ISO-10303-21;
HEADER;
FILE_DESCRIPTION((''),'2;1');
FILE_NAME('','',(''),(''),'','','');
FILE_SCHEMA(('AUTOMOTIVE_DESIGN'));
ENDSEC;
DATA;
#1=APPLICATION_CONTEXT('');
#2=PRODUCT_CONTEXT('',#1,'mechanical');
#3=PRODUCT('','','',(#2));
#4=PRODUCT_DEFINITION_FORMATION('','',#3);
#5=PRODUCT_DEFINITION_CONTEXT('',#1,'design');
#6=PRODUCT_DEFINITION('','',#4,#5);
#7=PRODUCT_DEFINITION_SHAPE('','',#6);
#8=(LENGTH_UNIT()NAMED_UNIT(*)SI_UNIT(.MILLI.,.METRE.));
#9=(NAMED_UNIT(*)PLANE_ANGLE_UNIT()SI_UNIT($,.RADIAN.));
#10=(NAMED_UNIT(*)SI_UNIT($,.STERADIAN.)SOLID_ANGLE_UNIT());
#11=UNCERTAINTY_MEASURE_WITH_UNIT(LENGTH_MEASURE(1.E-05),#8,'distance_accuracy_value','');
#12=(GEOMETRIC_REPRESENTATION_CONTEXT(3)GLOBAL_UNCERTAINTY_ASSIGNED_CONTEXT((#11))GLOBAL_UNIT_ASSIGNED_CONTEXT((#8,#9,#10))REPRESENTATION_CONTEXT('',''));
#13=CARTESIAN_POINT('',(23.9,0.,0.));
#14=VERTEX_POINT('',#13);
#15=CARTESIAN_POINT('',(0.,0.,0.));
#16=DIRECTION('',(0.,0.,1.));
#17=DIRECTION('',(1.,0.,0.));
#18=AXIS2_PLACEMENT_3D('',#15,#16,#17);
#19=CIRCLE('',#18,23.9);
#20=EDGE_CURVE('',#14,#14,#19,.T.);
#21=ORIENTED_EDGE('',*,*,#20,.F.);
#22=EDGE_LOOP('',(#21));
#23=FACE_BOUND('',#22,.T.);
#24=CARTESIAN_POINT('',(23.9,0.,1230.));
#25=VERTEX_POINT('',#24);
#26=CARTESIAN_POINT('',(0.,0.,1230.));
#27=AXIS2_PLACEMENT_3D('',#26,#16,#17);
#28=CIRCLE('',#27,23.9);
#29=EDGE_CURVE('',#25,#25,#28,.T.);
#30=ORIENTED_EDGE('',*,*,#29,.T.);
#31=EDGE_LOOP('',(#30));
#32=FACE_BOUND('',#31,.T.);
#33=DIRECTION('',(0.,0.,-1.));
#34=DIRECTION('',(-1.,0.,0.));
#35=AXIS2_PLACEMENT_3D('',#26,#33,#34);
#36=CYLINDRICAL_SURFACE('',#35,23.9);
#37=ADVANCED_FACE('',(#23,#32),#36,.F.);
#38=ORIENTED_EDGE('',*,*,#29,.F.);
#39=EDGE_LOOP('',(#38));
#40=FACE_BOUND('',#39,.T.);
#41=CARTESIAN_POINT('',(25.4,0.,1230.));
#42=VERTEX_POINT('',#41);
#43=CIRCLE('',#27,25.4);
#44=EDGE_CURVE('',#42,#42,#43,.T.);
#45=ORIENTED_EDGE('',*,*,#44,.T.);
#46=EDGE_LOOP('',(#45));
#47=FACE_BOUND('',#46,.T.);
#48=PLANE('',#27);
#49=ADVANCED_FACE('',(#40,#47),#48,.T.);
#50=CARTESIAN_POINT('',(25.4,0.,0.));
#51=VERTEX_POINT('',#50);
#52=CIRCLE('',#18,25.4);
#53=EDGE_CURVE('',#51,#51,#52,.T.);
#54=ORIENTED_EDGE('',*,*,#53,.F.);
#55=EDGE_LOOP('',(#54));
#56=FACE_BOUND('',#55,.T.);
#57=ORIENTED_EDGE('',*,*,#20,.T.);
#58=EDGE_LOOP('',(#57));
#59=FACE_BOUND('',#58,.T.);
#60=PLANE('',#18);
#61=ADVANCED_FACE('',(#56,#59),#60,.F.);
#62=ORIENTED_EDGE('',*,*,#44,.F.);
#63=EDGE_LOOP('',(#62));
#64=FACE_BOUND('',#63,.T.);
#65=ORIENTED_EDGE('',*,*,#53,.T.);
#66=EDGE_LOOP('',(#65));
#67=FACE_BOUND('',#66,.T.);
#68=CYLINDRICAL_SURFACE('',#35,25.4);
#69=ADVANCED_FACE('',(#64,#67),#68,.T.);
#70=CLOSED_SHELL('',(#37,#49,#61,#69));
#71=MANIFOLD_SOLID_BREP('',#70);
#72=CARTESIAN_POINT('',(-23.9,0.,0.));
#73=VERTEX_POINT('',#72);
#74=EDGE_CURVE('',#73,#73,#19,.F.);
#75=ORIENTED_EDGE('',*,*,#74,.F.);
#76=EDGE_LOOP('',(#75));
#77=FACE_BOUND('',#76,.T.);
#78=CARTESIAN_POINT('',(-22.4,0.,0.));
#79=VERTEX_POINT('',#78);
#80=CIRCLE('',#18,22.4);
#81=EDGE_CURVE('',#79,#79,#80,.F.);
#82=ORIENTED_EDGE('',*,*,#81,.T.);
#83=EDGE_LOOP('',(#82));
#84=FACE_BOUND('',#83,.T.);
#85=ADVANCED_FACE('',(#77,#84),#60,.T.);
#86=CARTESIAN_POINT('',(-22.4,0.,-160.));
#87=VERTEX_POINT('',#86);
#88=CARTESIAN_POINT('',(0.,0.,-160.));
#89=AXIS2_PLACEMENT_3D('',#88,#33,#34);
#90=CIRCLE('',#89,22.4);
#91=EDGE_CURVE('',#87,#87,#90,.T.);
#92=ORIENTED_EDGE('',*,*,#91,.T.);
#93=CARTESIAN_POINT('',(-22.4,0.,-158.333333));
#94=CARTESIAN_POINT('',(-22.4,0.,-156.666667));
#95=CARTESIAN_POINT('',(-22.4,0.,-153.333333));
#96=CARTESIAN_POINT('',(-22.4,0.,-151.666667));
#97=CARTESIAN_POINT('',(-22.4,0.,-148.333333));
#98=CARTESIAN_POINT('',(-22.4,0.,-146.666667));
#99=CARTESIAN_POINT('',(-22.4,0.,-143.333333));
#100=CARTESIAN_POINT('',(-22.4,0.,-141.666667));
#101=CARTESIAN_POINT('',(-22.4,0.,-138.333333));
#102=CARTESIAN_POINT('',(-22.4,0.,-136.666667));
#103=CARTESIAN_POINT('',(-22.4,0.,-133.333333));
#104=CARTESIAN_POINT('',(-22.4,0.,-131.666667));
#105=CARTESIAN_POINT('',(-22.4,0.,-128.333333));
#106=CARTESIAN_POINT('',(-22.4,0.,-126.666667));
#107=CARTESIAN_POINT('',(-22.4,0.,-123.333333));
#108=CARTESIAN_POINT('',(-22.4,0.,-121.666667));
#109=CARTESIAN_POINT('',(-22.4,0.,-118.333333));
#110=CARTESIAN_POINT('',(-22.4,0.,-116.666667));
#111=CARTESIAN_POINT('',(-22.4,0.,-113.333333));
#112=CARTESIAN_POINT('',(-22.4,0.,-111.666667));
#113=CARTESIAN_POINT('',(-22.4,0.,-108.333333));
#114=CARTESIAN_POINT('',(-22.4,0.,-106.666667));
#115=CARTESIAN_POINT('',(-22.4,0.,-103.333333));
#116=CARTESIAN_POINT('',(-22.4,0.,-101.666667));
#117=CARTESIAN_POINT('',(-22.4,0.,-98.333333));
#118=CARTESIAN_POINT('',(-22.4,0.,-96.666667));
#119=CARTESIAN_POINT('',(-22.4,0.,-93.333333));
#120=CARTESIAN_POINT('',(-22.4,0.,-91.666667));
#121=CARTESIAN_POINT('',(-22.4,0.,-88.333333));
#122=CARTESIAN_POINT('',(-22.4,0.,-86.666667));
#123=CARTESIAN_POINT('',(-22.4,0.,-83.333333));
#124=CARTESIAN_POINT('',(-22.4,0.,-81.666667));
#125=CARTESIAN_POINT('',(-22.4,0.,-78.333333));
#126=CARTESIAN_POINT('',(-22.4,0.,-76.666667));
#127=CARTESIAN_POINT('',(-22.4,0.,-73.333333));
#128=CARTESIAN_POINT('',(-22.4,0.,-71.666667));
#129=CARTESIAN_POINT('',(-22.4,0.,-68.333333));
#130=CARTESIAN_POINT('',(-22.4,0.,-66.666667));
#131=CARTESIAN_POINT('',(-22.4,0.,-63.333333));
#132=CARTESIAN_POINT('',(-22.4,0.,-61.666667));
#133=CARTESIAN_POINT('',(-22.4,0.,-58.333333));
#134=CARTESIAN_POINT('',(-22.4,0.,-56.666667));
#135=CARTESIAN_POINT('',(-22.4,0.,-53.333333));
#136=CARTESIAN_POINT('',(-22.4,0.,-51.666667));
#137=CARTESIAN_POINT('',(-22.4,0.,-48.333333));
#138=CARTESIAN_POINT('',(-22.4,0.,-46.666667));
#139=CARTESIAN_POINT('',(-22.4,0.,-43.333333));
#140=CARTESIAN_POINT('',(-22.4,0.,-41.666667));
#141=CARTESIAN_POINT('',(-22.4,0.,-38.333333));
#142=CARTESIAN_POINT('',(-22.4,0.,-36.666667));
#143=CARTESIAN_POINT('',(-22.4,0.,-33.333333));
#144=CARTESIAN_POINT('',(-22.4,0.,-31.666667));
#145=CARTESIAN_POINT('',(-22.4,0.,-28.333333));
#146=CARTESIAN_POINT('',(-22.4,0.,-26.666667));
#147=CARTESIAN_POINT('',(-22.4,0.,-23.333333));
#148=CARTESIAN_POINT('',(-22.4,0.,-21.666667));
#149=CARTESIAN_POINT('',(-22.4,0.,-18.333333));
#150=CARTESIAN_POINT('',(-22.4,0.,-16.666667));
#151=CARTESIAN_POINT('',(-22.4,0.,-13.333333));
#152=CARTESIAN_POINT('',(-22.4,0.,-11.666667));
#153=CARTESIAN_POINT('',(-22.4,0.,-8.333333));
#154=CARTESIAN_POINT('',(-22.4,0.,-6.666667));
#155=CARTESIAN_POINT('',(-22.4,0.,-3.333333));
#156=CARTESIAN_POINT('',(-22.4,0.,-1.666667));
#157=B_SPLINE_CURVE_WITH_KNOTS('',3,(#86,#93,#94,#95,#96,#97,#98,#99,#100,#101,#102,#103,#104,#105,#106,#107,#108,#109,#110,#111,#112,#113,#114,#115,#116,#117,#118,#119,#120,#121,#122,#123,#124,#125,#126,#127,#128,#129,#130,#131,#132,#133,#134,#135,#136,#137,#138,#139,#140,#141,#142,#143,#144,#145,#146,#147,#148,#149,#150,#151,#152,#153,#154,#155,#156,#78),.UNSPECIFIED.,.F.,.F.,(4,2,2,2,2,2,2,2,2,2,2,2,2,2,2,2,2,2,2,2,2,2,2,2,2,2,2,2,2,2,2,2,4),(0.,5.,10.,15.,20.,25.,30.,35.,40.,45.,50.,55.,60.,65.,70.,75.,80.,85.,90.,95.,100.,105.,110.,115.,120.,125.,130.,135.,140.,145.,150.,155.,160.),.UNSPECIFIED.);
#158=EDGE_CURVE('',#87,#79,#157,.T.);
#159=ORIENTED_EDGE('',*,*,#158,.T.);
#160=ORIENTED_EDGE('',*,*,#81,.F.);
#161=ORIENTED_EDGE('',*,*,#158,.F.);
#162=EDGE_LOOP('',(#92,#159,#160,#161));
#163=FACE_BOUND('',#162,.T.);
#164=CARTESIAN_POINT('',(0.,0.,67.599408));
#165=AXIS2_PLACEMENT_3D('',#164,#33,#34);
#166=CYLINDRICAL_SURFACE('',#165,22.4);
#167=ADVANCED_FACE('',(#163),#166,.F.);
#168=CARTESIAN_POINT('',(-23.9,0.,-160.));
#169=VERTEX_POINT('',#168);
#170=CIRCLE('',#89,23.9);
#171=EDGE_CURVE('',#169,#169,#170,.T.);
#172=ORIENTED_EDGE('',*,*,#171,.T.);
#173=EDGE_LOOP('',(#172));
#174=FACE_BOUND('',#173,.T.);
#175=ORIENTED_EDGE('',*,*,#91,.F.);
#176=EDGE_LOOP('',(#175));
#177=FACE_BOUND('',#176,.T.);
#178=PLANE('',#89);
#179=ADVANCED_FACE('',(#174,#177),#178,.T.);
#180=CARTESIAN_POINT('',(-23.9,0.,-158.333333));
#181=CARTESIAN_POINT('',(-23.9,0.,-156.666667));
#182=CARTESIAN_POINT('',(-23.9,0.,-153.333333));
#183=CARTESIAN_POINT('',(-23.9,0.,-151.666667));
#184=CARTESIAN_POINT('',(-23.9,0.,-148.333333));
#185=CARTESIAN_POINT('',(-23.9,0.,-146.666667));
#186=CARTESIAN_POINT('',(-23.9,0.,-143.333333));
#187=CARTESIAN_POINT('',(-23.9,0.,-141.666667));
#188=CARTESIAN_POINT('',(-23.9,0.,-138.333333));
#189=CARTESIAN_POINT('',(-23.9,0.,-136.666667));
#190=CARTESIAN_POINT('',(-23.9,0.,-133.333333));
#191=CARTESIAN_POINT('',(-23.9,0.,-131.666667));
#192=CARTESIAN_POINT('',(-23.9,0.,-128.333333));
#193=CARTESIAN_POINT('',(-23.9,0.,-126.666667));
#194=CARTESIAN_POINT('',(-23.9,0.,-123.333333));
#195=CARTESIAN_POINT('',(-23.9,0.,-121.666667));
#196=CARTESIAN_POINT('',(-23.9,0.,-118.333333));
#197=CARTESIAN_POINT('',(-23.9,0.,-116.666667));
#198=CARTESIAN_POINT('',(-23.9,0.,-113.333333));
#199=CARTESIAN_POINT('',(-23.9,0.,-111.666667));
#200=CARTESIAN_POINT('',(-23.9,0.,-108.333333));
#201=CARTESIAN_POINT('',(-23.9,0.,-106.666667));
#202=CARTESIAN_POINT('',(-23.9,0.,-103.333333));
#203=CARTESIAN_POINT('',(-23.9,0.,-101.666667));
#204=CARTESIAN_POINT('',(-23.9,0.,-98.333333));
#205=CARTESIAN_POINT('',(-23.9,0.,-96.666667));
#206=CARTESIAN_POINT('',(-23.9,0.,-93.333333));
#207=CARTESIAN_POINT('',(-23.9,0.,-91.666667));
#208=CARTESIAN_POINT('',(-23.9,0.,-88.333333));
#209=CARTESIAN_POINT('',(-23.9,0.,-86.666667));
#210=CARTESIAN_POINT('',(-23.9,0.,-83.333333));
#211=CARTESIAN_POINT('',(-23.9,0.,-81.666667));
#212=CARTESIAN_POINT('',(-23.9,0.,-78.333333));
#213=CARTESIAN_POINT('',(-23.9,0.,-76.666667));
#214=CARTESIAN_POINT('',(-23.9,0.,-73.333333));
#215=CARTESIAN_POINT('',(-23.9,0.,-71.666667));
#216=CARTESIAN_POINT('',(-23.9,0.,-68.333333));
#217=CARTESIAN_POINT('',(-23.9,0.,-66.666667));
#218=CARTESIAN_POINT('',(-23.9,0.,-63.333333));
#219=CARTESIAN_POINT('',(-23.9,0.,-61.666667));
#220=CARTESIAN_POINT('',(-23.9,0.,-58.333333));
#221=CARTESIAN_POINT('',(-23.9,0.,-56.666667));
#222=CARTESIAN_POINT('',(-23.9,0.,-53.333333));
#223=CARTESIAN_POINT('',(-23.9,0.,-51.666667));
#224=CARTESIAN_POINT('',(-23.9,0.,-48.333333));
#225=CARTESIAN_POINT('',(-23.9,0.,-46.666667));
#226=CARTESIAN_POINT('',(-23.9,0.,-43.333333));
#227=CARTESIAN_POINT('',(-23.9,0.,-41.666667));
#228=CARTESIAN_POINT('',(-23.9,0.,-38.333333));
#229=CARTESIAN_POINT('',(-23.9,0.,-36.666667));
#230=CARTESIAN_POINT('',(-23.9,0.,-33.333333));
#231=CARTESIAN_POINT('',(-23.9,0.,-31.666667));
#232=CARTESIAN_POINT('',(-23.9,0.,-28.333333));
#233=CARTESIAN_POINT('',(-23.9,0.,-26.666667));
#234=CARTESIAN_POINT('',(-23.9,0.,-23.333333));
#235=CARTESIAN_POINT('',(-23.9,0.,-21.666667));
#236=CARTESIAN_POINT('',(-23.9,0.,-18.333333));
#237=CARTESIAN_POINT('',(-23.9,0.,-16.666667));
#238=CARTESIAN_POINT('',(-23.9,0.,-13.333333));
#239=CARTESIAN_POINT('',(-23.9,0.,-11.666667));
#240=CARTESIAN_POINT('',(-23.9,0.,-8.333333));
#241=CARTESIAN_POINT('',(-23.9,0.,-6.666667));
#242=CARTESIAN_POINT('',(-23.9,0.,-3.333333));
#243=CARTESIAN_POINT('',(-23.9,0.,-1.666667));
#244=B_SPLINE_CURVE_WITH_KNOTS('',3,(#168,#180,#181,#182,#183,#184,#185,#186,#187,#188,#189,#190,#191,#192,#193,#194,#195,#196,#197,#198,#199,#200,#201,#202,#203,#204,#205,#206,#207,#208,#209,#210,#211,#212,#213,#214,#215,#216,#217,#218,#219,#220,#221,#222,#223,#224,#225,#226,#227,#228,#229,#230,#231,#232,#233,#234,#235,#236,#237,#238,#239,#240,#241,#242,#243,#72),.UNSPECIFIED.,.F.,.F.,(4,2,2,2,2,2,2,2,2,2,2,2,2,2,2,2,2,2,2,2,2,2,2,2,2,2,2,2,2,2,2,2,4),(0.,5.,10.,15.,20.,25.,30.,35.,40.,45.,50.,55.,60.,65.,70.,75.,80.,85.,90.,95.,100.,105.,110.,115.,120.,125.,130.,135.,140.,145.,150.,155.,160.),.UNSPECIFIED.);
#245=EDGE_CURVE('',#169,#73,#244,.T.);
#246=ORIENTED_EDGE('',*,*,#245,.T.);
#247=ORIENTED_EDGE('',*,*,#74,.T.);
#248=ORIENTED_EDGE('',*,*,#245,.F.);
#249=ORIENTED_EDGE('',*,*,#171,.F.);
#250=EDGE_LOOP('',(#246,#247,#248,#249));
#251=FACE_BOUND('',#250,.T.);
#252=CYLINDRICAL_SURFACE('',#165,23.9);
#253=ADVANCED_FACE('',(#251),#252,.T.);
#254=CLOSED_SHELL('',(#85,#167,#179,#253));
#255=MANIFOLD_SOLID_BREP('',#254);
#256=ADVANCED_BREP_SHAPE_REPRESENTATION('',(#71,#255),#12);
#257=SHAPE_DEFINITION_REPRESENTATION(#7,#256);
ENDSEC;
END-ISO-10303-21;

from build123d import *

# Parameters (mm, degrees)
SKETCH1_R           = 25.4
SKETCH1_R_2         = 23.9
BOSS_EXTRUDE1_DEPTH = 1230
SKETCH2_R           = 23.9
SKETCH2_R_2         = 22.4
BOSS_EXTRUDE2_DEPTH = 160


with BuildPart() as part:
    # Sketch1 → Boss-Extrude1 (new body)
    with BuildSketch(Plane.XY):
        Circle(SKETCH1_R)
        Circle(SKETCH1_R_2, mode=Mode.SUBTRACT)
    extrude(amount=BOSS_EXTRUDE1_DEPTH)


with BuildPart() as body_2:
    # Sketch2 → Boss-Extrude2 (new body)
    with BuildSketch(Plane(origin=(0, 0, -160), x_dir=(-1, 0, 0), z_dir=(0, 0, -1))):
        Circle(SKETCH2_R)
        Circle(SKETCH2_R_2, mode=Mode.SUBTRACT)
    extrude(amount=-BOSS_EXTRUDE2_DEPTH)


solid = Compound([part.part, body_2.part])
